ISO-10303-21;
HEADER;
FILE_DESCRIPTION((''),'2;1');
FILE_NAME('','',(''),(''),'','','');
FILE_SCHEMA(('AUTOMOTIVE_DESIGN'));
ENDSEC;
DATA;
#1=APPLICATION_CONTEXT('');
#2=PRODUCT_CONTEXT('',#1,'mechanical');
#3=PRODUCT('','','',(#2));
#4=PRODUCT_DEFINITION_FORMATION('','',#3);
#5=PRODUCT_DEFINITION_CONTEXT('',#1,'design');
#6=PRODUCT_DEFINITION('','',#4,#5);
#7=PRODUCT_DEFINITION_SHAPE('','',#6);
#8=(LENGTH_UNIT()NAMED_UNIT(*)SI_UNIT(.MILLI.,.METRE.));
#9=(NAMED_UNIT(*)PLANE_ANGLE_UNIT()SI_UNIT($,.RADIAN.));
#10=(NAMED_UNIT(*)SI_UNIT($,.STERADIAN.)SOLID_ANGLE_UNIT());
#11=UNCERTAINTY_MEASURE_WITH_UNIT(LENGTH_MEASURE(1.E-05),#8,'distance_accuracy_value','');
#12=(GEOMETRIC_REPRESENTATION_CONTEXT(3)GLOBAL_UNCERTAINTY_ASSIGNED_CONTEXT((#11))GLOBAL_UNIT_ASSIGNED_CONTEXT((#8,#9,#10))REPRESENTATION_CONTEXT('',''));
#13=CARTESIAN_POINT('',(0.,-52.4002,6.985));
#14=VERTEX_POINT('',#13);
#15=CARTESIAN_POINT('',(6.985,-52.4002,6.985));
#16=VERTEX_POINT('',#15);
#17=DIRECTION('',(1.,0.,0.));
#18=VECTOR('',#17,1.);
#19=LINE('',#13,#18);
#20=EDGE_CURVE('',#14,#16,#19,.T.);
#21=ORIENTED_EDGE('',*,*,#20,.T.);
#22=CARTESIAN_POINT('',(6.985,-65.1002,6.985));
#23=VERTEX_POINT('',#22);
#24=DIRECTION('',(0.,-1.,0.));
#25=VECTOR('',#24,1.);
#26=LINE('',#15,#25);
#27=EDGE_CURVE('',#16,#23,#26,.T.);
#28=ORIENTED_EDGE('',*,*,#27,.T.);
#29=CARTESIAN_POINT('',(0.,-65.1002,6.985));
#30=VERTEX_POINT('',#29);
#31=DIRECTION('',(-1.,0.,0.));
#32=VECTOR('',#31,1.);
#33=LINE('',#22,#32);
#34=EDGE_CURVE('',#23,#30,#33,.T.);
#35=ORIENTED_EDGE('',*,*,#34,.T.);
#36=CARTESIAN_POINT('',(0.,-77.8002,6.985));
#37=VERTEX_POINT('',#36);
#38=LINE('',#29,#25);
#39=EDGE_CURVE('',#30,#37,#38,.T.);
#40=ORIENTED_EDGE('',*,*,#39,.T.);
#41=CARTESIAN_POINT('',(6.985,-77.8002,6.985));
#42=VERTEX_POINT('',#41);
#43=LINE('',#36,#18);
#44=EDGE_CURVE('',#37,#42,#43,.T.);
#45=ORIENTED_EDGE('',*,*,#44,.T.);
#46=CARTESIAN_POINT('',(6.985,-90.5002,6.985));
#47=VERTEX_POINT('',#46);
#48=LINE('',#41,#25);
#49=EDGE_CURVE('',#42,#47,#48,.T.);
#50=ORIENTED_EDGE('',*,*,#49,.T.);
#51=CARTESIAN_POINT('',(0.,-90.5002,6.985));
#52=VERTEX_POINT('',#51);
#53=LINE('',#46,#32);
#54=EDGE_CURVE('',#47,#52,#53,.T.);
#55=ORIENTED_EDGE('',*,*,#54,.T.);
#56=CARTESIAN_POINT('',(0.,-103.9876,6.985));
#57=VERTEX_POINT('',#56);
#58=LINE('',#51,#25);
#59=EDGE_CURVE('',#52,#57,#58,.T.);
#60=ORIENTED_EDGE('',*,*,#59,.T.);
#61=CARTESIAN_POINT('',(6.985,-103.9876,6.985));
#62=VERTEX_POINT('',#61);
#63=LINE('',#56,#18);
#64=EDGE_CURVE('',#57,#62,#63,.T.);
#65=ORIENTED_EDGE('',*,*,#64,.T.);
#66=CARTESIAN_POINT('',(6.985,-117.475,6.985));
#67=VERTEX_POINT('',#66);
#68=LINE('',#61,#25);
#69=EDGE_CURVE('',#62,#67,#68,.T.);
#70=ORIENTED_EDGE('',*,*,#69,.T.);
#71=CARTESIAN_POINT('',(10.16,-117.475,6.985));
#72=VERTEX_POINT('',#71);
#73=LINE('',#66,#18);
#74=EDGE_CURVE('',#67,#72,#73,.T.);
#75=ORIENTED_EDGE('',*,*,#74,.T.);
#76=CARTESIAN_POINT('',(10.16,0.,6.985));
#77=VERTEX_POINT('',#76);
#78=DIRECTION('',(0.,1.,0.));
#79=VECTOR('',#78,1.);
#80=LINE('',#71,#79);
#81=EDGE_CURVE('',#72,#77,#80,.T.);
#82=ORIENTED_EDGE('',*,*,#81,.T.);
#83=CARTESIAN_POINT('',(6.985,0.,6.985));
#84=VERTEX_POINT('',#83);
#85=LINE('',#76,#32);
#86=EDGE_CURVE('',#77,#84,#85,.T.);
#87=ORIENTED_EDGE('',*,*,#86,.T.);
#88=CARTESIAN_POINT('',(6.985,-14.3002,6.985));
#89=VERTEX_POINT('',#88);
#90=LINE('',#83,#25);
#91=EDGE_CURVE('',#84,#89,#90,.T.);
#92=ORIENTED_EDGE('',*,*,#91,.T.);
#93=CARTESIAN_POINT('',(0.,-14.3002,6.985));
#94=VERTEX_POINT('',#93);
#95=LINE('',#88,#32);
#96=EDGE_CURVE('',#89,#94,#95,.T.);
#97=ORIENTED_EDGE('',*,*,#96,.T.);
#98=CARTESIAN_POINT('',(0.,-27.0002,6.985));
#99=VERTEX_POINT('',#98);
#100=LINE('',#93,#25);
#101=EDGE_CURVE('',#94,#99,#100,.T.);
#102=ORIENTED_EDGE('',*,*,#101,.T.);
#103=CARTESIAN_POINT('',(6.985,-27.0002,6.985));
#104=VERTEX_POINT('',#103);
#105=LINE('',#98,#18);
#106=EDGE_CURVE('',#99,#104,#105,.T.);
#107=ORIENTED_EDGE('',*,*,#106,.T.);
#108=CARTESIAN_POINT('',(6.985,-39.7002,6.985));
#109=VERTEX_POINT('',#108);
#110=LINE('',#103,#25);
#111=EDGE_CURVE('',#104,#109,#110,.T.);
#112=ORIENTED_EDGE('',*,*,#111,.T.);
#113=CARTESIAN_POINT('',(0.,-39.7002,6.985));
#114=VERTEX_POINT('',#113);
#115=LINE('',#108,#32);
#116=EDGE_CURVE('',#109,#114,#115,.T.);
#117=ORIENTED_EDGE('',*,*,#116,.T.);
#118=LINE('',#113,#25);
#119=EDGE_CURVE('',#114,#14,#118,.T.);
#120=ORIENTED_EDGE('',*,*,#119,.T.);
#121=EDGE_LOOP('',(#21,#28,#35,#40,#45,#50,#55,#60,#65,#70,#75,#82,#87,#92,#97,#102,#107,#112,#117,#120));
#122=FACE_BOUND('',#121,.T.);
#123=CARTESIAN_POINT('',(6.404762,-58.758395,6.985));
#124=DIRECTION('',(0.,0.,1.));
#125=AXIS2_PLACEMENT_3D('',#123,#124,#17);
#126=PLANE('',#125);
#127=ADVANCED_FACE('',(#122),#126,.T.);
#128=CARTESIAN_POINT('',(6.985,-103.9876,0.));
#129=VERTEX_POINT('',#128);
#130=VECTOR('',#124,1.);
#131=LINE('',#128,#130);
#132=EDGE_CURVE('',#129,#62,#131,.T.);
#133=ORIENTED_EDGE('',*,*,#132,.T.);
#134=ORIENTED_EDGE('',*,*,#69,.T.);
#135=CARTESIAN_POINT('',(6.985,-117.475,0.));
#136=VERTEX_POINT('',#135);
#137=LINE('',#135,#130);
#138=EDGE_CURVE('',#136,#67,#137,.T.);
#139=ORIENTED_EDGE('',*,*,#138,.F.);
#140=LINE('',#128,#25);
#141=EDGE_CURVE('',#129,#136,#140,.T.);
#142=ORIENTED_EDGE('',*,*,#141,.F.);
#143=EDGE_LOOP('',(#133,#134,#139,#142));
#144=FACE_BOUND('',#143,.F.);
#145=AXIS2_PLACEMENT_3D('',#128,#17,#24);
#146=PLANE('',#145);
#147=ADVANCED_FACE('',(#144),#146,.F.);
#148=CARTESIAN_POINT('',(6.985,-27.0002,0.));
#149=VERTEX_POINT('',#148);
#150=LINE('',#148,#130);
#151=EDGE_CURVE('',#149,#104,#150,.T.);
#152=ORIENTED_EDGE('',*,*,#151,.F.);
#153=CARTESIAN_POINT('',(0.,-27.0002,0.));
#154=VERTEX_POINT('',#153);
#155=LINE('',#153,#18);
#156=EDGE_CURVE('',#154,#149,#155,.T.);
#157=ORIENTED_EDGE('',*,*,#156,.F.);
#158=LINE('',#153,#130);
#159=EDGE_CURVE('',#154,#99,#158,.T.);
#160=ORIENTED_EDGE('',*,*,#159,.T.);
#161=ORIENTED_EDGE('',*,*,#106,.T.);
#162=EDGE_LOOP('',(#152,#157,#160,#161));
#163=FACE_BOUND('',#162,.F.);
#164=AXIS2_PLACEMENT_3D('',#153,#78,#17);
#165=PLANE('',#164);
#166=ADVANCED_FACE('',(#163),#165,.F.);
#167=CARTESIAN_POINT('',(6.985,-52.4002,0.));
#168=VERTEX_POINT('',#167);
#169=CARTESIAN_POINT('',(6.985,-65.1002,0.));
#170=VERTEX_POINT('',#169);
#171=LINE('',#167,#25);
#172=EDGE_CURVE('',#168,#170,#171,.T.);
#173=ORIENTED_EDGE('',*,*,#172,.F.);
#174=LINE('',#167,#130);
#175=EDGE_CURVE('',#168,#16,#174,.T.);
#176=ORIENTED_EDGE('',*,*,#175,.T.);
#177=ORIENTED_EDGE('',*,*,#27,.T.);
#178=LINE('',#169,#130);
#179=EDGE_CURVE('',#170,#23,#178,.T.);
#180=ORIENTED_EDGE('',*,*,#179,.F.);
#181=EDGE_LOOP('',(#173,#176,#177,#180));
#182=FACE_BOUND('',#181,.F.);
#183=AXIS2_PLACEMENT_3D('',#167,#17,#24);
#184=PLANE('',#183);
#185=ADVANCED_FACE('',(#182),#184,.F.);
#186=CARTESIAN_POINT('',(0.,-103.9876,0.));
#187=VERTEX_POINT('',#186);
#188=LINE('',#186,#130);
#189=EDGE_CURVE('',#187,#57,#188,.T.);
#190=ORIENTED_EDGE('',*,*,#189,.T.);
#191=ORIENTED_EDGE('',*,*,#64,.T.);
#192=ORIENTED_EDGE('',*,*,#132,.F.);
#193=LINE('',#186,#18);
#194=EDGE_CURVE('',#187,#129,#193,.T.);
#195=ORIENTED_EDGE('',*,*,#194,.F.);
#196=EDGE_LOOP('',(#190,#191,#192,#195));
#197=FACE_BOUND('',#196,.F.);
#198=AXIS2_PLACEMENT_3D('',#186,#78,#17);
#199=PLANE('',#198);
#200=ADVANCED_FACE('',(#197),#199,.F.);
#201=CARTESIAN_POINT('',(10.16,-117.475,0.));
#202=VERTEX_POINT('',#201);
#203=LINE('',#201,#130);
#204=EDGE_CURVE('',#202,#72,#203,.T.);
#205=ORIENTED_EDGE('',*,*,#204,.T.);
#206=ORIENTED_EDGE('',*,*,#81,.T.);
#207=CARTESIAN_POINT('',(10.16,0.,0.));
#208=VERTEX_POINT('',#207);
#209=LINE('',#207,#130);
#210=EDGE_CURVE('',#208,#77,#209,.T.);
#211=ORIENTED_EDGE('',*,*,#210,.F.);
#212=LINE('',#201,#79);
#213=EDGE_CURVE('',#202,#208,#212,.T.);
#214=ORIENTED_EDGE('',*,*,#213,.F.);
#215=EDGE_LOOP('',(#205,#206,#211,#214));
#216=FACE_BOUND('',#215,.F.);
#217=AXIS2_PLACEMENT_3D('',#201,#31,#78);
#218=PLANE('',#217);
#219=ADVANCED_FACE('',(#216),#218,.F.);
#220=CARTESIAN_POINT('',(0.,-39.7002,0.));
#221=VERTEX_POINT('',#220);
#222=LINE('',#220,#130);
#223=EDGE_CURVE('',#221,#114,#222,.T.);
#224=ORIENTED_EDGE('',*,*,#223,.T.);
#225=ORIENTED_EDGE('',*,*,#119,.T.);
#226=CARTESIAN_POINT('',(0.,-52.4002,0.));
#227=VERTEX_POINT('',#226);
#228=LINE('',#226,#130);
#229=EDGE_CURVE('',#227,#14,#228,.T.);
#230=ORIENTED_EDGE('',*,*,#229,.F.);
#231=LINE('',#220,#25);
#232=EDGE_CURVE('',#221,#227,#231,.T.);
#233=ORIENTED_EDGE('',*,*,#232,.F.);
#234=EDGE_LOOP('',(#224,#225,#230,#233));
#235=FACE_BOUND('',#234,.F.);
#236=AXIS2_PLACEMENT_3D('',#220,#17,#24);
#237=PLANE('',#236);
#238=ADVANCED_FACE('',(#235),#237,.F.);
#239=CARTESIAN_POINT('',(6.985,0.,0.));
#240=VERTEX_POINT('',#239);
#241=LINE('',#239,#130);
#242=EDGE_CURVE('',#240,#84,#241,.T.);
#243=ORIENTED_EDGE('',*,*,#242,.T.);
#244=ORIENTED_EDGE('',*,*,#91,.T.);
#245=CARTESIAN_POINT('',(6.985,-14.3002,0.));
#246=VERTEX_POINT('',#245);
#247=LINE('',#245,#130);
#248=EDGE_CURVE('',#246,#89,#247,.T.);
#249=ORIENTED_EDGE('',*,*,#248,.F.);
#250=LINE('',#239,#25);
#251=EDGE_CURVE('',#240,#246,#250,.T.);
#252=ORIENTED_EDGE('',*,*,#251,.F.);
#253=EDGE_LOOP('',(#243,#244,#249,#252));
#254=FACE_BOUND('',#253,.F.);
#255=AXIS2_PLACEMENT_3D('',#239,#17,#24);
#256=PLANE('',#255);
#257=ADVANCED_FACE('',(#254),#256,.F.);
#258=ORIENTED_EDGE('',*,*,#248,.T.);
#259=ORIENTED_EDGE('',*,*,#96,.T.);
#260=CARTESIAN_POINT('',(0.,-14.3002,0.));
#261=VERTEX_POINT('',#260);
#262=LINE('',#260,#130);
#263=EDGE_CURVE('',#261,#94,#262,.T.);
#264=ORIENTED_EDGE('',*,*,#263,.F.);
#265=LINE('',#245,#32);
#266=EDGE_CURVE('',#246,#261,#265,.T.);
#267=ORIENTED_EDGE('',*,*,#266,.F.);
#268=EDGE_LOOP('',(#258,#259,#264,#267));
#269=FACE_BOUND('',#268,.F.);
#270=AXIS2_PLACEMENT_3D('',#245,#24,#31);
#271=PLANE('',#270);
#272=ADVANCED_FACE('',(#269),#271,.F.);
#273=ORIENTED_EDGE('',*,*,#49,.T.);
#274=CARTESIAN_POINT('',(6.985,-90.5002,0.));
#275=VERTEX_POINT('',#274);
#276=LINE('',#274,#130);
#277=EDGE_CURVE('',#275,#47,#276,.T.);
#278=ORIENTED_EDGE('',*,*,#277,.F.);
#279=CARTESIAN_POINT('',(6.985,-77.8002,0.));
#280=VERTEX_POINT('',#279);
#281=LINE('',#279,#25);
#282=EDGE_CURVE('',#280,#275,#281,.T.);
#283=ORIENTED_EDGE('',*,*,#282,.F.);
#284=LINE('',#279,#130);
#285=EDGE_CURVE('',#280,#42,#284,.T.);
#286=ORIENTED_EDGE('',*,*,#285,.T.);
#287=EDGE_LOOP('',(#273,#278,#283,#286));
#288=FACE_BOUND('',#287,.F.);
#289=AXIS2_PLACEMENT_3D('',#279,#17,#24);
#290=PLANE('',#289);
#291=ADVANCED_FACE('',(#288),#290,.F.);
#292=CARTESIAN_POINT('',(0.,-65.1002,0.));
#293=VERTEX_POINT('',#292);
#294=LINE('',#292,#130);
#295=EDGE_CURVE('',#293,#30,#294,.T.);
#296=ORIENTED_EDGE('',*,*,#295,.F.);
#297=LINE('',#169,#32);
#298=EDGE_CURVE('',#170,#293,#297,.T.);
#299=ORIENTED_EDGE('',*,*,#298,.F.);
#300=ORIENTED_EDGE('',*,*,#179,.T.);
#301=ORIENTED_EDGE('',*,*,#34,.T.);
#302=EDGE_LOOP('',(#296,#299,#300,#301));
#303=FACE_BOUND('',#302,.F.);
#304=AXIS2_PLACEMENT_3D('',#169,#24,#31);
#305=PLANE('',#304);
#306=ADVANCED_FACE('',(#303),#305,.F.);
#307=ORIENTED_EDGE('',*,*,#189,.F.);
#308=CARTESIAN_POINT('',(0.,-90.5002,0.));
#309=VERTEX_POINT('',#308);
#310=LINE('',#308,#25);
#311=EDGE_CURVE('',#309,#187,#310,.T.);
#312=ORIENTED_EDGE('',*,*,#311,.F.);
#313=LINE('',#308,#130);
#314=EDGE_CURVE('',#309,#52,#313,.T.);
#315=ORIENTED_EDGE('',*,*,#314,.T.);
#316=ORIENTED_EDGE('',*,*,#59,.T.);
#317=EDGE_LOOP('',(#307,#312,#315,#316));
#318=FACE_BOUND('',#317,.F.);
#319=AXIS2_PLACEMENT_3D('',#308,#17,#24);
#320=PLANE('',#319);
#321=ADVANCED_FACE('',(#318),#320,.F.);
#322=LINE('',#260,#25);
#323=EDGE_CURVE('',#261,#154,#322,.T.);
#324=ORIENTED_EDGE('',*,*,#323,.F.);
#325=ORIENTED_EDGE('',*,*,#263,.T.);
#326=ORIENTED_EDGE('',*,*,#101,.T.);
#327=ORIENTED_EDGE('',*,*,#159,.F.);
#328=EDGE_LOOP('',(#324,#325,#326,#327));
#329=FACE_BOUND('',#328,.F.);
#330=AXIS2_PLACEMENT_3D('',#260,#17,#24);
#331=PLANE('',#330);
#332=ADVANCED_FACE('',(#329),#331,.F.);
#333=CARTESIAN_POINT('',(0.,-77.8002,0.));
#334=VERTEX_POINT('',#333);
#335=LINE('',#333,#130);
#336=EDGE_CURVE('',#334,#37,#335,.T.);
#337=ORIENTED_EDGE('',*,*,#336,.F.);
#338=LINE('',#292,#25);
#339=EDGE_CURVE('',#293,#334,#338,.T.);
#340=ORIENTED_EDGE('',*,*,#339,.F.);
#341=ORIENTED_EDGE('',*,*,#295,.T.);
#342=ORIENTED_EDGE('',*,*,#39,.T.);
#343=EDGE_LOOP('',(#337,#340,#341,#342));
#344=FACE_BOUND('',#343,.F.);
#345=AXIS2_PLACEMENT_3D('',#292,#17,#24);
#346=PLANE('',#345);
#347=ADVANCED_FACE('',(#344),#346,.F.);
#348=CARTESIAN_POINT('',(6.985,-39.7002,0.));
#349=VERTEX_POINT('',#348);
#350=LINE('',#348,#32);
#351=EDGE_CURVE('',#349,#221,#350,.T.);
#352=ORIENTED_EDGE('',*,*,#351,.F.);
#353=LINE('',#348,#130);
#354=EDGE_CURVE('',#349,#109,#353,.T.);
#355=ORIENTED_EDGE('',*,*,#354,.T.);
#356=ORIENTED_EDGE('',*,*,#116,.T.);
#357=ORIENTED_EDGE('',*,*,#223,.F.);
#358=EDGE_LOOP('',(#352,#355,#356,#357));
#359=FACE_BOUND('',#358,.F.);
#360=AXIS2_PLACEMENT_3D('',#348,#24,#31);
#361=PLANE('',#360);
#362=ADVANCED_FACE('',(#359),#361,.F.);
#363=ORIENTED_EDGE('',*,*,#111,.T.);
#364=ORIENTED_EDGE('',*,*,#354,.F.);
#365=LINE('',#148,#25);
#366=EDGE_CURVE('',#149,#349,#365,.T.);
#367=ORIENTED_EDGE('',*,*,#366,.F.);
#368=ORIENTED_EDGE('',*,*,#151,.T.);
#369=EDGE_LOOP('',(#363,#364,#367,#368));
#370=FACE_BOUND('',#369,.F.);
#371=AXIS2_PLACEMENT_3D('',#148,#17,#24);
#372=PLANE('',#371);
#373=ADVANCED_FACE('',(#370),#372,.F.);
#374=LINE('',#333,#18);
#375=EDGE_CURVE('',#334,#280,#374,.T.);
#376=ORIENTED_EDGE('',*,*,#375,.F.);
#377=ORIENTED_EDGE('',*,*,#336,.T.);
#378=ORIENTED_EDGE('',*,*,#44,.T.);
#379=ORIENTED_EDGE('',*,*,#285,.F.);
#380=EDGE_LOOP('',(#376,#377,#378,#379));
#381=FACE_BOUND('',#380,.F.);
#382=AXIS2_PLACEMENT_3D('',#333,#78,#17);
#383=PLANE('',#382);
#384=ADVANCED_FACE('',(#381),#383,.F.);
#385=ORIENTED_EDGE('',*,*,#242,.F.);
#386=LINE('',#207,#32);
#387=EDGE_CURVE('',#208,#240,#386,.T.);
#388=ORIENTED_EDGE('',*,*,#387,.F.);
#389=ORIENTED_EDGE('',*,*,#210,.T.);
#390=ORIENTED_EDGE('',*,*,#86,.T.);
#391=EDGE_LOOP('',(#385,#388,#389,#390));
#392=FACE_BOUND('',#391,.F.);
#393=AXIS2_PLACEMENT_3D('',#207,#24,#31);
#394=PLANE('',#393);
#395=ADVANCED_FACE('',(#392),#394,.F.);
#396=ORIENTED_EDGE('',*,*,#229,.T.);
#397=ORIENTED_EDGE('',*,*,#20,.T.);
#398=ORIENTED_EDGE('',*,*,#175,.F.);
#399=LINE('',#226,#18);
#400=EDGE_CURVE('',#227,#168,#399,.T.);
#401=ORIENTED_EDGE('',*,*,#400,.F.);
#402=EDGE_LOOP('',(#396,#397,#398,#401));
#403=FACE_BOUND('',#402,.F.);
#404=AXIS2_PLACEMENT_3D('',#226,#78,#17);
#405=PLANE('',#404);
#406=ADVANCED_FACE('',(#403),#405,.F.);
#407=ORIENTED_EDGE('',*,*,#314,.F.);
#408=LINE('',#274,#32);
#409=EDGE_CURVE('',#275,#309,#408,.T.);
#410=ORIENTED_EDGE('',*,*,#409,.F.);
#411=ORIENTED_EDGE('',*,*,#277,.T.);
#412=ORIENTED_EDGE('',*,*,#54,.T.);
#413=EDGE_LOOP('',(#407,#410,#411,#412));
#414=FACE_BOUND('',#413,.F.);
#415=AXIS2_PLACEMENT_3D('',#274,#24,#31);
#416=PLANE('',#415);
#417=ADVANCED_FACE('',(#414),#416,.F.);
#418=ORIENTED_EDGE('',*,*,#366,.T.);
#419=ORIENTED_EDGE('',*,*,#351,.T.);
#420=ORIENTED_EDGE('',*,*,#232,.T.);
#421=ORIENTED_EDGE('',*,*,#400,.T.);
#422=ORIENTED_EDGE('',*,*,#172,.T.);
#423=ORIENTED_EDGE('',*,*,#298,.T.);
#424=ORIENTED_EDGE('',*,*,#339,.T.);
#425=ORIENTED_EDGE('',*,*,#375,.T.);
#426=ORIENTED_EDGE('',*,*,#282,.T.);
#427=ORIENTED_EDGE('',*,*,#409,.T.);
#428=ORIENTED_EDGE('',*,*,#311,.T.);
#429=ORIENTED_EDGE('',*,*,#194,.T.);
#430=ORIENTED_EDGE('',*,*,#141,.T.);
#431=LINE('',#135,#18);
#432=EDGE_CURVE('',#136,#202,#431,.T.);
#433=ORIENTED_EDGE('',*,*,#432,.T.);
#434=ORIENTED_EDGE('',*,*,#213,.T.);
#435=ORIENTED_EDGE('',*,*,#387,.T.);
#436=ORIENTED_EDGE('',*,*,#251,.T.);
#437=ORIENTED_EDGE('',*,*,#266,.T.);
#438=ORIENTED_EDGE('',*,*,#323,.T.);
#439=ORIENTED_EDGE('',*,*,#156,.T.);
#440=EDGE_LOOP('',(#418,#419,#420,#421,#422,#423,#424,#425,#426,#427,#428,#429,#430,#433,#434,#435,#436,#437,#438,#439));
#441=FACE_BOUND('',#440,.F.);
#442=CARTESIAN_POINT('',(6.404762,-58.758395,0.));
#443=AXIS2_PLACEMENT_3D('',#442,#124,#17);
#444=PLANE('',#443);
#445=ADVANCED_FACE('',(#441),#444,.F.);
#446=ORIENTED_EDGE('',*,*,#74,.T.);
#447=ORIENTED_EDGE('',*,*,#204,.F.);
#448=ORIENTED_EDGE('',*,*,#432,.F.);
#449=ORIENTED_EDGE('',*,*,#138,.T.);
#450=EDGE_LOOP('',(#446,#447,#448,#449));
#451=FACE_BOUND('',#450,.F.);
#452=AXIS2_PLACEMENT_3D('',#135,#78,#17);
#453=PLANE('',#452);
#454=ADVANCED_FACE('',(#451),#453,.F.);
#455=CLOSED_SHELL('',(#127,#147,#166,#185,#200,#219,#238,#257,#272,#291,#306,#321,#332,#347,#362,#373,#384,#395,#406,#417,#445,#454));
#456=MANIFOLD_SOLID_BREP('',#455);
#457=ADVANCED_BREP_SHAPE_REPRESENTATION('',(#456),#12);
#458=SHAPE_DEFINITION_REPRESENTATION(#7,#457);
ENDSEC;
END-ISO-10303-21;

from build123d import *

# Parameters (mm, degrees)
F1_DEPTH = 6.985


with BuildPart() as f1:
    # F0 (on Top) → F1 (new body)
    with BuildSketch(Plane.XY):
        Polygon((10.16, 0), (6.985, 0), (6.985, -14.3002), (0, -14.3002), (0, -27.0002), (6.985, -27.0002), (6.985, -39.7002), (0, -39.7002), (0, -52.4002), (6.985, -52.4002), (6.985, -65.1002), (0, -65.1002), (0, -77.8002), (6.985, -77.8002), (6.985, -90.5002), (0, -90.5002), (0, -103.9876), (6.985, -103.9876), (6.985, -117.475), (10.16, -117.475), align=None)
    extrude(amount=F1_DEPTH)


solid = f1.part
